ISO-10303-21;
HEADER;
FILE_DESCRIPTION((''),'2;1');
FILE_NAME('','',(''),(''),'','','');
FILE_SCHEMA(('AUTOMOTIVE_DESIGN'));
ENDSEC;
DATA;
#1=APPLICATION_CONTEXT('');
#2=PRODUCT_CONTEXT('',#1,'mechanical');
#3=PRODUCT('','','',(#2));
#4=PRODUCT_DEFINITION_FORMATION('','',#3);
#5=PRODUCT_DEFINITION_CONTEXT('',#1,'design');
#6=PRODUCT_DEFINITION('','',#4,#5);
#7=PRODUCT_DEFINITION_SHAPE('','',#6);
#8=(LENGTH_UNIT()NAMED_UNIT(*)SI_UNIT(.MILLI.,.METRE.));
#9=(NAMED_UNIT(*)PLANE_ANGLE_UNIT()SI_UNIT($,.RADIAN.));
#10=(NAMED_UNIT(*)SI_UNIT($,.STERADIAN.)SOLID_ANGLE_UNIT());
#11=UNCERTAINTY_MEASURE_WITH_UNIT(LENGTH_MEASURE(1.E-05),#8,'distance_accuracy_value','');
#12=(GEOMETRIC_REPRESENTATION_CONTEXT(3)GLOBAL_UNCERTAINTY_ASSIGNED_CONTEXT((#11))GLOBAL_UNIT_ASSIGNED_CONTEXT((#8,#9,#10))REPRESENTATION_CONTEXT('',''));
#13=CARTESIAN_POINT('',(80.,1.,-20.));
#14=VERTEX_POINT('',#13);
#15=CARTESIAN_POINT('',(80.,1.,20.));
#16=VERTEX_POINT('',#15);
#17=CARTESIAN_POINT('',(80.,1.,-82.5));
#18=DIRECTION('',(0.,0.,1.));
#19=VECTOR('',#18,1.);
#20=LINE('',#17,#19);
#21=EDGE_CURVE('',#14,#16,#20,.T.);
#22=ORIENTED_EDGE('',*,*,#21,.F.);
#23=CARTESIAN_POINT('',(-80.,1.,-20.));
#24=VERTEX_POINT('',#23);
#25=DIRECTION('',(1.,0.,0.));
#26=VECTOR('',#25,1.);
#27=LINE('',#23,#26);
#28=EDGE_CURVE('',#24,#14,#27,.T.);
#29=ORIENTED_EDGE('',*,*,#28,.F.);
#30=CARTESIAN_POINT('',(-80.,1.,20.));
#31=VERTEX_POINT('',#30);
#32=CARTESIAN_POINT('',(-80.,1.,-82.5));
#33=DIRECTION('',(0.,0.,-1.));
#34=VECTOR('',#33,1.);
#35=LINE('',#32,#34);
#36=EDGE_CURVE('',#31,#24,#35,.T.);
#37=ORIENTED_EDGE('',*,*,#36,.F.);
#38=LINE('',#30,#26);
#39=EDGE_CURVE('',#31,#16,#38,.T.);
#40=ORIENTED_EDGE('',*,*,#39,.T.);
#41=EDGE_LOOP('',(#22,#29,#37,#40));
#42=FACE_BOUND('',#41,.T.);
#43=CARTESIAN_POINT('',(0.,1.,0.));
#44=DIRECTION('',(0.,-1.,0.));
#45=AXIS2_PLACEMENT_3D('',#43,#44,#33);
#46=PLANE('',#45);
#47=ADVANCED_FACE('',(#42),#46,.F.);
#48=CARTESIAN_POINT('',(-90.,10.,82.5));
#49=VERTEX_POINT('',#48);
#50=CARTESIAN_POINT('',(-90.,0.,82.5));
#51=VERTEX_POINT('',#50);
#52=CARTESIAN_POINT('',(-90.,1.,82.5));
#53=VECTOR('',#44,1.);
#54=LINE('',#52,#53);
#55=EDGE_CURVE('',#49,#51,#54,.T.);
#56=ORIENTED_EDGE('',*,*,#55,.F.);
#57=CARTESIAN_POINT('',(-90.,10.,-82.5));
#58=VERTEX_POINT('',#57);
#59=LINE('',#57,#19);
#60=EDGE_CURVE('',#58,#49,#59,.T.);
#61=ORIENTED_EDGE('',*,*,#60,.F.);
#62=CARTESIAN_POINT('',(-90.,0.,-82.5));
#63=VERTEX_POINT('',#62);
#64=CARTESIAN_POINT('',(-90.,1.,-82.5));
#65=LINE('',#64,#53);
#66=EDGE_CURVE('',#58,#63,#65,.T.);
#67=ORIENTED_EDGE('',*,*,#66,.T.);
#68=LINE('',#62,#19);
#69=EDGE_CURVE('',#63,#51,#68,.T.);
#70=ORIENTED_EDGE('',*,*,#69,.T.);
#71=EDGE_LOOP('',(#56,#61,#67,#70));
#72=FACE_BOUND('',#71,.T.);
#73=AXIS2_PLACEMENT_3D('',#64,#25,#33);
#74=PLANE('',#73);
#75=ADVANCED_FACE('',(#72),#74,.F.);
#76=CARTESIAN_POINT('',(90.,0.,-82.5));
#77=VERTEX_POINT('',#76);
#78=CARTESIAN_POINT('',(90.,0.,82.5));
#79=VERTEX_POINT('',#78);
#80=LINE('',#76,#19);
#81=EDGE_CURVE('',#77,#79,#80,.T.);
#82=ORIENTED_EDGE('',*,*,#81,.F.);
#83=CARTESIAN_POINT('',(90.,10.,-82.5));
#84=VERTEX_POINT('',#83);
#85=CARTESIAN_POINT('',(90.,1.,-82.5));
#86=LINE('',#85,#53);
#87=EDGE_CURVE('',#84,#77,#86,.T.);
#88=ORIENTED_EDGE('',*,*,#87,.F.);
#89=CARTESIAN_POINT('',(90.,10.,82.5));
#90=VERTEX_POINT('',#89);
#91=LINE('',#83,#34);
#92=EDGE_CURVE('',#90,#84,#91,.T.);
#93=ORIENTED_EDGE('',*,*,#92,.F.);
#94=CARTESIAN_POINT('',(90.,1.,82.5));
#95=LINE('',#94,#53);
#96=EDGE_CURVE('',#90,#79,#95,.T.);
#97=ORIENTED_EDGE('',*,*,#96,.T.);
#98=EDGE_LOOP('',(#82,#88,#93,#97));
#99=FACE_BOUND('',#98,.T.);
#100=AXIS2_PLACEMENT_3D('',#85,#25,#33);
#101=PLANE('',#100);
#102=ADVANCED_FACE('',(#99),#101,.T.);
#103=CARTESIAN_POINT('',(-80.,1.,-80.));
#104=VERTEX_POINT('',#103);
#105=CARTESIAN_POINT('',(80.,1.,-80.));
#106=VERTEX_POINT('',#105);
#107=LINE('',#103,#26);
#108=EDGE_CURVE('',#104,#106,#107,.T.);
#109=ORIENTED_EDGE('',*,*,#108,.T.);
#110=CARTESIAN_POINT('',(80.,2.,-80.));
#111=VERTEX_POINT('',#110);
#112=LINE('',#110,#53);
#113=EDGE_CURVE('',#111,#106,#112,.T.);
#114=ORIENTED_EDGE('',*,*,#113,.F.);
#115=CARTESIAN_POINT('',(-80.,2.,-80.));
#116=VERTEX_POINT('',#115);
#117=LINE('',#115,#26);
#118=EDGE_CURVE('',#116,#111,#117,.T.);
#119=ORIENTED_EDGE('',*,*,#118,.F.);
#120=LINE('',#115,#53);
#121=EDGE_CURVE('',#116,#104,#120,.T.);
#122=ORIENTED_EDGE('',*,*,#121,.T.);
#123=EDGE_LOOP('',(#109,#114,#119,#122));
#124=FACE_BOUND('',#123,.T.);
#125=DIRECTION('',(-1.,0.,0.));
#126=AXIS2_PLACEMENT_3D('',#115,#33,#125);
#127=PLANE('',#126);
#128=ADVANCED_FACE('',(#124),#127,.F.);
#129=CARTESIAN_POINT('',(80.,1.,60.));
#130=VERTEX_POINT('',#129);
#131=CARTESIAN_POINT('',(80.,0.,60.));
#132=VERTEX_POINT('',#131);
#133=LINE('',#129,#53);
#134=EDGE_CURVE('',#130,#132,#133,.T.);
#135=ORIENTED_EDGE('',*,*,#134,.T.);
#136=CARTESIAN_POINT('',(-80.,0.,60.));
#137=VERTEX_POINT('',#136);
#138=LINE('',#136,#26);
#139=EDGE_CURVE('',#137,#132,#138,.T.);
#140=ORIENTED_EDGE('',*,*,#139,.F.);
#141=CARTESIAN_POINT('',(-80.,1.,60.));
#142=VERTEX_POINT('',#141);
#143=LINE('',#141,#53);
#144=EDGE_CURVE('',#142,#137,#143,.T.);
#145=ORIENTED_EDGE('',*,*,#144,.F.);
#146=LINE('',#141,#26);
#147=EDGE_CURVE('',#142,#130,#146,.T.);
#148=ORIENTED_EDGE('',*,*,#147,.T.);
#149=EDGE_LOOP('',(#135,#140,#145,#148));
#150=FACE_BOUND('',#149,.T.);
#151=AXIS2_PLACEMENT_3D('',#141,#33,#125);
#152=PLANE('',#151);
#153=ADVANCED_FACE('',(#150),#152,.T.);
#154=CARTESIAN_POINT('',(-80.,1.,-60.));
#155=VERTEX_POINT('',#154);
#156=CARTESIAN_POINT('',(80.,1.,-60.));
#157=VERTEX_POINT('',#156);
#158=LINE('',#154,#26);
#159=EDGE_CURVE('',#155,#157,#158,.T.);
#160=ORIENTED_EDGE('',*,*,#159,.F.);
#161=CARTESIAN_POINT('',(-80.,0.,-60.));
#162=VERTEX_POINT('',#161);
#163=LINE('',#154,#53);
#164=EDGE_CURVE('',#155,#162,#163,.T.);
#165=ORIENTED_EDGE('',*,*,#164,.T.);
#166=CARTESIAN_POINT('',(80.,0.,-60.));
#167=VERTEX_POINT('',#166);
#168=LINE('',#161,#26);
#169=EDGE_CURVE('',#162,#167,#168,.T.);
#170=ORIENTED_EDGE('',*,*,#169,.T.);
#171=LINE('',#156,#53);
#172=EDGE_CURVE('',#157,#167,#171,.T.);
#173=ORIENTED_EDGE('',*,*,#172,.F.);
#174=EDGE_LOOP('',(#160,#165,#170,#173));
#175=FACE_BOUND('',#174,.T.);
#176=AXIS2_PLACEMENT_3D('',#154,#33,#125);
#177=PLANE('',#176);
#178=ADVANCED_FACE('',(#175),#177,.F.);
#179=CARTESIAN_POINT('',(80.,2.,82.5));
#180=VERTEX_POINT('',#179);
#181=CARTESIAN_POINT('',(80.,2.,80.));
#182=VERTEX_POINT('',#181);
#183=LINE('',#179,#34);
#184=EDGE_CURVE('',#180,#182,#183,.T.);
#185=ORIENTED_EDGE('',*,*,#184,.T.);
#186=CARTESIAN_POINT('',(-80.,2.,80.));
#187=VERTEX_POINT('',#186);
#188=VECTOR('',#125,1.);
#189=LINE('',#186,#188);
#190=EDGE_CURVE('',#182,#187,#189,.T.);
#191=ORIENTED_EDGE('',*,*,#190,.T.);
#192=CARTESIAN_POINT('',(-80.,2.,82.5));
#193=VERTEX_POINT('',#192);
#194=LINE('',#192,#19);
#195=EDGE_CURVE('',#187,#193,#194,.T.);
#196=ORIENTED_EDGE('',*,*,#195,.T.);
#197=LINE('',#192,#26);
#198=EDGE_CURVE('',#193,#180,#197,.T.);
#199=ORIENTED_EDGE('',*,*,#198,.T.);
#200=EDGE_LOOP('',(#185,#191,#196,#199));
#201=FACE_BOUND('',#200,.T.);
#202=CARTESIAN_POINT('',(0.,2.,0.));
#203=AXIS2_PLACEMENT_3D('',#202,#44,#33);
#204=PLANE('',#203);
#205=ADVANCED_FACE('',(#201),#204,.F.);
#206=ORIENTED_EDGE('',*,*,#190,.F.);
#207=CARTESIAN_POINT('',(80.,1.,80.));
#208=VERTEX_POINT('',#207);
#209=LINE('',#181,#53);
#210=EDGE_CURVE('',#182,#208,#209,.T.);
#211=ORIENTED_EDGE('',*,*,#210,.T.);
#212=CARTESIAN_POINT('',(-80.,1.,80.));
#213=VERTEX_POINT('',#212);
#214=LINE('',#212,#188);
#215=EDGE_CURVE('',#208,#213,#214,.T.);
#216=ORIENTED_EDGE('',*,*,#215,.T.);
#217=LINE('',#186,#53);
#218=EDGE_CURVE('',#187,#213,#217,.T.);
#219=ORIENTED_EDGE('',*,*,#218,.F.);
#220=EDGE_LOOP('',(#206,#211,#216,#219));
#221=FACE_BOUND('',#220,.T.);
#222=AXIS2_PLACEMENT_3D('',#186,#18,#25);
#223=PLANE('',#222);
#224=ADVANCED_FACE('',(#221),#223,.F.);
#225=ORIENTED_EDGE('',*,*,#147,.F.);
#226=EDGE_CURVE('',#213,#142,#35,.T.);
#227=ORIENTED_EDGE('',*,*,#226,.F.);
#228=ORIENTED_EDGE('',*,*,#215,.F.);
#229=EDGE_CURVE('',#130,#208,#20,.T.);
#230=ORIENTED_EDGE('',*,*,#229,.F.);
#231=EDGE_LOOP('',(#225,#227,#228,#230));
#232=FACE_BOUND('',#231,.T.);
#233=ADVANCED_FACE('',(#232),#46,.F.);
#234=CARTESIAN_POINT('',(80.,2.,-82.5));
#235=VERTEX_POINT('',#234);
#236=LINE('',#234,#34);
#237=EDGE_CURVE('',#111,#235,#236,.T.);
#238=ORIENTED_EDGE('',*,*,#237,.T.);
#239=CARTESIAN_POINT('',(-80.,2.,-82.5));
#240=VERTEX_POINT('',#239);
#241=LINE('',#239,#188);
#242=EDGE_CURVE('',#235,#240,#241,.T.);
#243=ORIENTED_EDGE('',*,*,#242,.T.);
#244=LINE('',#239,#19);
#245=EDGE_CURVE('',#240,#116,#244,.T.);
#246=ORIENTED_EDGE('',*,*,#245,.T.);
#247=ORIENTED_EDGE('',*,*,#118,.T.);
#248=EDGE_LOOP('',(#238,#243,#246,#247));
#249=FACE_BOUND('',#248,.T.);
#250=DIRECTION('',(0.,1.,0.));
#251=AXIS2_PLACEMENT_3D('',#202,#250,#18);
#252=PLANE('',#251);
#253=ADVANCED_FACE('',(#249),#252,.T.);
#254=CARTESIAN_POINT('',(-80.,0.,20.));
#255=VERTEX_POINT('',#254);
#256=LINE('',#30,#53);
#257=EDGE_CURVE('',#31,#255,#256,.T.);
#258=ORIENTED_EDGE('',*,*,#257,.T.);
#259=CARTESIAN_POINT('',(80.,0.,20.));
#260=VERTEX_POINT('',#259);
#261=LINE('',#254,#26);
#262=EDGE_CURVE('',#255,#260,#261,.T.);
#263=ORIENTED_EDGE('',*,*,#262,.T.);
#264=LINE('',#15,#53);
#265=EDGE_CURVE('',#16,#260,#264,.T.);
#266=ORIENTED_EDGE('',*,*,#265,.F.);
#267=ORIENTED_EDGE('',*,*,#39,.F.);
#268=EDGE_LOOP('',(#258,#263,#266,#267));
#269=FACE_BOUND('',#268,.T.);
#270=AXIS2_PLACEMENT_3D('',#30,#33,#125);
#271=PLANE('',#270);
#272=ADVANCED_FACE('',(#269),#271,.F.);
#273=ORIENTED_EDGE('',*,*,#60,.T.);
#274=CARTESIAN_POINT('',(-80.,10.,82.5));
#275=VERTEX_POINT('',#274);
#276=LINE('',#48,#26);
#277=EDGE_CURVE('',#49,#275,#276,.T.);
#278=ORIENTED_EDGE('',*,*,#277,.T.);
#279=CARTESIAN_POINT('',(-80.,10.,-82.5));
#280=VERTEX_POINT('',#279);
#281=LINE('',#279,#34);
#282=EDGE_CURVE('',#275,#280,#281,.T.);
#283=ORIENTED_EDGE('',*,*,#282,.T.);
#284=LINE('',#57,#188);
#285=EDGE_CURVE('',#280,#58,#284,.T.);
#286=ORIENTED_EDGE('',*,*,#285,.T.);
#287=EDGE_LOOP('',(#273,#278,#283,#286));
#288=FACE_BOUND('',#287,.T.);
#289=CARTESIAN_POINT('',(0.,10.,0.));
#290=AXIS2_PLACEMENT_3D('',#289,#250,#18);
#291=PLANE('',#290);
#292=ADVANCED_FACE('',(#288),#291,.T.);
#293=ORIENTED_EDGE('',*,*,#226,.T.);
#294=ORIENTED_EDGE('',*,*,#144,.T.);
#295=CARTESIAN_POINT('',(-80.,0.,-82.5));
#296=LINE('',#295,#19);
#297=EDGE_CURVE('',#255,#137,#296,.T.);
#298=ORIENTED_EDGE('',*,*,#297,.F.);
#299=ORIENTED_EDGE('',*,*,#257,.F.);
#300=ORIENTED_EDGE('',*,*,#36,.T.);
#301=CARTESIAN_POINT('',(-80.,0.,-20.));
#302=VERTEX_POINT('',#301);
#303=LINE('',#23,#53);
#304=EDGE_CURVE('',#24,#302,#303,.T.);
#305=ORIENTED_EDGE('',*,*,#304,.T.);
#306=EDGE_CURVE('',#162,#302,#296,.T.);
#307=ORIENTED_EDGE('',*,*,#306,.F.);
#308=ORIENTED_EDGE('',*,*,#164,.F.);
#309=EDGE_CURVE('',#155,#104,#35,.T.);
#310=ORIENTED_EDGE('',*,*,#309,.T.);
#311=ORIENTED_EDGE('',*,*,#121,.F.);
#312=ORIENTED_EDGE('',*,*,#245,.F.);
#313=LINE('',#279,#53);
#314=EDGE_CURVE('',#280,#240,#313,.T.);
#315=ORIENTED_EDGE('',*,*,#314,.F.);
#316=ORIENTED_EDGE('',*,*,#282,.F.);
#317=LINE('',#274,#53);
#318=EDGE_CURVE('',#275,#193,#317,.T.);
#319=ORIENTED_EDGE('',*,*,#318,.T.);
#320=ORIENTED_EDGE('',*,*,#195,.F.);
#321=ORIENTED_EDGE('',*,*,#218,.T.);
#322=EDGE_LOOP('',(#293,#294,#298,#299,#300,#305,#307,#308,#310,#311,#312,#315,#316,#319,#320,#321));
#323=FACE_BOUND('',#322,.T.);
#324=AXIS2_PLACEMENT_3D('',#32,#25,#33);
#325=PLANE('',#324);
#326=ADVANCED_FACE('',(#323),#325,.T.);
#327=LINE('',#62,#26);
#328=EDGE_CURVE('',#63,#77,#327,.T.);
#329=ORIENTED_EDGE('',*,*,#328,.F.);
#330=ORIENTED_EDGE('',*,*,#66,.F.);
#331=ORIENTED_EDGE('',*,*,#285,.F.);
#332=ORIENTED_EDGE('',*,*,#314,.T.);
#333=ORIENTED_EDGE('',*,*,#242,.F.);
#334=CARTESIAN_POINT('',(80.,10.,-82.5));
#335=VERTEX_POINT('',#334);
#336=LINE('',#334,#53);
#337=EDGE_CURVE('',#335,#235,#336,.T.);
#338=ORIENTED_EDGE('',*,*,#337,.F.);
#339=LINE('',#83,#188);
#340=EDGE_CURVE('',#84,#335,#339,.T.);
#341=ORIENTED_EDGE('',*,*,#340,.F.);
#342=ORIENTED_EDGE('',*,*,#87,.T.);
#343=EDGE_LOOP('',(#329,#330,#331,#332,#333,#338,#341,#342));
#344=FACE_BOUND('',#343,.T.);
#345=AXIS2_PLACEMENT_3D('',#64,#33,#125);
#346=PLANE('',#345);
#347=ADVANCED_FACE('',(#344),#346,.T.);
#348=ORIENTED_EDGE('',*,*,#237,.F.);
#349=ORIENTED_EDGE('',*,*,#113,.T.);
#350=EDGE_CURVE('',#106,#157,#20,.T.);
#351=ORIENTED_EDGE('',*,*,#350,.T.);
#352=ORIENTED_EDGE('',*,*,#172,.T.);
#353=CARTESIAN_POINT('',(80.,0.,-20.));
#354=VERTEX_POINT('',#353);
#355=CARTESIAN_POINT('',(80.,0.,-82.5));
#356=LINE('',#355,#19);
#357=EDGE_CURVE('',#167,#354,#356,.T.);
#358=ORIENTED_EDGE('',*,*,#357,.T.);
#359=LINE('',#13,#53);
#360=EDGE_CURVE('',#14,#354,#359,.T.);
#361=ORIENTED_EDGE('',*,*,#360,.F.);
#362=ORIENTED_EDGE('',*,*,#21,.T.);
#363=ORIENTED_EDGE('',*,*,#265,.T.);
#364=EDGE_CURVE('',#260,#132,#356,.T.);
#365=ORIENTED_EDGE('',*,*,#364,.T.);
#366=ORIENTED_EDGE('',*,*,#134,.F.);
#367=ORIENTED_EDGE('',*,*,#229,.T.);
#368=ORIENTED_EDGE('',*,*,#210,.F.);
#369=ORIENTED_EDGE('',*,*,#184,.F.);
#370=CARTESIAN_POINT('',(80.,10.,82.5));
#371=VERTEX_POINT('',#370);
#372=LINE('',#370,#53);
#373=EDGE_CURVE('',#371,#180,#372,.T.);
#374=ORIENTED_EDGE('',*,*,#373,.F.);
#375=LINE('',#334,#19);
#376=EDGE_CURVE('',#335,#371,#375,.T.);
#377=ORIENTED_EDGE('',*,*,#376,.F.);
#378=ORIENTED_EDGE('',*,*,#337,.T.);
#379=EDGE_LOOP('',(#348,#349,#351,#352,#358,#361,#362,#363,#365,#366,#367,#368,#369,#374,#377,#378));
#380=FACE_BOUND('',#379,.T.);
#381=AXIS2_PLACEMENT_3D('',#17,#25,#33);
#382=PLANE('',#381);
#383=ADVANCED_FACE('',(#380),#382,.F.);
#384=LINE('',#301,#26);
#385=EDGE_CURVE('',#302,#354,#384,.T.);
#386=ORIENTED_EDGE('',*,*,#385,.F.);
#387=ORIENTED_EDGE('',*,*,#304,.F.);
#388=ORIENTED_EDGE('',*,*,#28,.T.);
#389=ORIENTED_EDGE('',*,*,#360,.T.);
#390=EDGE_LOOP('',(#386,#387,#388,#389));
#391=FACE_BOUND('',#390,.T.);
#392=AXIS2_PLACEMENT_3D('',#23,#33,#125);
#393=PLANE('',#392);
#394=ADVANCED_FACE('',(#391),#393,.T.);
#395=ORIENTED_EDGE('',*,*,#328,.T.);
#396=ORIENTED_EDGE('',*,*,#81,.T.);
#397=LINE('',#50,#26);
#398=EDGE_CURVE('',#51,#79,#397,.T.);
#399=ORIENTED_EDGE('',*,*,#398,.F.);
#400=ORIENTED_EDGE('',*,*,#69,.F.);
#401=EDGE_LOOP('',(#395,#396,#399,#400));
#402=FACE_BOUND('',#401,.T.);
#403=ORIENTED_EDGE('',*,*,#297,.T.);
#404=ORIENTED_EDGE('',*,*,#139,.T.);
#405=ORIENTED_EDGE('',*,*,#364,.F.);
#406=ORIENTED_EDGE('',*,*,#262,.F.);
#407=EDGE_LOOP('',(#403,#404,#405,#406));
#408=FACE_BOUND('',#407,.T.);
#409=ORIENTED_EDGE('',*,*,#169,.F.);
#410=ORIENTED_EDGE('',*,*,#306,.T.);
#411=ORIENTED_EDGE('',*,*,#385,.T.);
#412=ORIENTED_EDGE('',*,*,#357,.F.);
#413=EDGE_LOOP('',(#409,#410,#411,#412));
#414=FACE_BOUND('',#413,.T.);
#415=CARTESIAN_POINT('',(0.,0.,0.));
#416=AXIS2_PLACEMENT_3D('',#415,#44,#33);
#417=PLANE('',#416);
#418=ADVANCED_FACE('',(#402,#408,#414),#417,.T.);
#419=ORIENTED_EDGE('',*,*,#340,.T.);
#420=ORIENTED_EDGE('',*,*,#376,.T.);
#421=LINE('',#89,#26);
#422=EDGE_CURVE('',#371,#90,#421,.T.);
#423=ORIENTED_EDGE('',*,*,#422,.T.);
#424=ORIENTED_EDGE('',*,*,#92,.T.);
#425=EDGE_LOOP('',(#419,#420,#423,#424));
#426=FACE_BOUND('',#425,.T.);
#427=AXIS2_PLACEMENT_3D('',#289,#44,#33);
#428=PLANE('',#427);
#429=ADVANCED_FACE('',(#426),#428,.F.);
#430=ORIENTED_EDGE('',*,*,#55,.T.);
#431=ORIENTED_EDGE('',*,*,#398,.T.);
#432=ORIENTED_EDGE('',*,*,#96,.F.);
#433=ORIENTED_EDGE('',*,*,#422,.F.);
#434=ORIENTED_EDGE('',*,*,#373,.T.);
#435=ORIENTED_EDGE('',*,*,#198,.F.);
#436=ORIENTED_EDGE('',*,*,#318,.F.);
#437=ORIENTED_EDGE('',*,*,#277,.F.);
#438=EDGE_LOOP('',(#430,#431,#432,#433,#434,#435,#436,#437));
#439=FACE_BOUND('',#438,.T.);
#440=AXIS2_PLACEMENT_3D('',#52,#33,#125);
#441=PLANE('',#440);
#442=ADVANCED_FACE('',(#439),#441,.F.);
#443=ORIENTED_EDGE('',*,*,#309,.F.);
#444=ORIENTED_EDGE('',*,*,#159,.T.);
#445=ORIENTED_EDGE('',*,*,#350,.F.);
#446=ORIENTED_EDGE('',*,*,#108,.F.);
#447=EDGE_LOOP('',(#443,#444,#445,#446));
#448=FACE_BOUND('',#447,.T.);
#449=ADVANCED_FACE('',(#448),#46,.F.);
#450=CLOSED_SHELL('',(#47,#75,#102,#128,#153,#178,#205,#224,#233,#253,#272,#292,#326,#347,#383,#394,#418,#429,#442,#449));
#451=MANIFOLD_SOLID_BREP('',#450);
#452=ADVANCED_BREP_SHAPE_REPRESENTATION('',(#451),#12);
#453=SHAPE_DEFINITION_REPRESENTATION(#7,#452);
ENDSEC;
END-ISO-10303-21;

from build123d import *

# Parameters (mm, degrees)
SKETCH5_W           = 180
SKETCH5_H           = 165
SKETCH5_W_2         = 160
SKETCH5_H_2         = 40
BOSS_EXTRUDE3_DEPTH = 1
SKETCH6_W           = 10
SKETCH6_H           = 165
BOSS_EXTRUDE4_DEPTH = 9
SKETCH7_W           = 160
SKETCH7_H           = 2.5
BOSS_EXTRUDE5_DEPTH = 1
SKETCH10_W          = 160
SKETCH10_H          = 2.5
BOSS_EXTRUDE6_DEPTH = 1


with BuildPart() as part:
    # Sketch5 → Boss-Extrude3 (new body)
    with BuildSketch(Plane(origin=(0, 0, 0), x_dir=(1, 0, 0), z_dir=(0, 1, 0))):
        Rectangle(SKETCH5_W, SKETCH5_H)
        with Locations((0, -40)):
            Rectangle(SKETCH5_W_2, SKETCH5_H_2, mode=Mode.SUBTRACT)
        with Locations((0, 40)):
            Rectangle(SKETCH5_W_2, SKETCH5_H_2, mode=Mode.SUBTRACT)
    extrude(amount=BOSS_EXTRUDE3_DEPTH)

    # Sketch6 → Boss-Extrude4 (add)
    with BuildSketch(Plane(origin=(0, 1, 0), x_dir=(1, 0, 0), z_dir=(0, 1, 0))):
        with Locations((-85, 0)):
            Rectangle(SKETCH6_W, SKETCH6_H)
        with Locations((85, 0)):
            Rectangle(SKETCH6_W, SKETCH6_H)
    extrude(amount=BOSS_EXTRUDE4_DEPTH)

    # Sketch7 → Boss-Extrude5 (add)
    with BuildSketch(Plane(origin=(0, 1, 0), x_dir=(1, 0, 0), z_dir=(0, 1, 0))):
        with Locations((0, -81.25)):
            Rectangle(SKETCH7_W, SKETCH7_H)
    extrude(amount=BOSS_EXTRUDE5_DEPTH)

    # Sketch10 → Boss-Extrude6 (add)
    with BuildSketch(Plane(origin=(0, 1, 0), x_dir=(1, 0, 0), z_dir=(0, 1, 0))):
        with Locations((0, 81.25)):
            Rectangle(SKETCH10_W, SKETCH10_H)
    extrude(amount=BOSS_EXTRUDE6_DEPTH)


solid = part.part
